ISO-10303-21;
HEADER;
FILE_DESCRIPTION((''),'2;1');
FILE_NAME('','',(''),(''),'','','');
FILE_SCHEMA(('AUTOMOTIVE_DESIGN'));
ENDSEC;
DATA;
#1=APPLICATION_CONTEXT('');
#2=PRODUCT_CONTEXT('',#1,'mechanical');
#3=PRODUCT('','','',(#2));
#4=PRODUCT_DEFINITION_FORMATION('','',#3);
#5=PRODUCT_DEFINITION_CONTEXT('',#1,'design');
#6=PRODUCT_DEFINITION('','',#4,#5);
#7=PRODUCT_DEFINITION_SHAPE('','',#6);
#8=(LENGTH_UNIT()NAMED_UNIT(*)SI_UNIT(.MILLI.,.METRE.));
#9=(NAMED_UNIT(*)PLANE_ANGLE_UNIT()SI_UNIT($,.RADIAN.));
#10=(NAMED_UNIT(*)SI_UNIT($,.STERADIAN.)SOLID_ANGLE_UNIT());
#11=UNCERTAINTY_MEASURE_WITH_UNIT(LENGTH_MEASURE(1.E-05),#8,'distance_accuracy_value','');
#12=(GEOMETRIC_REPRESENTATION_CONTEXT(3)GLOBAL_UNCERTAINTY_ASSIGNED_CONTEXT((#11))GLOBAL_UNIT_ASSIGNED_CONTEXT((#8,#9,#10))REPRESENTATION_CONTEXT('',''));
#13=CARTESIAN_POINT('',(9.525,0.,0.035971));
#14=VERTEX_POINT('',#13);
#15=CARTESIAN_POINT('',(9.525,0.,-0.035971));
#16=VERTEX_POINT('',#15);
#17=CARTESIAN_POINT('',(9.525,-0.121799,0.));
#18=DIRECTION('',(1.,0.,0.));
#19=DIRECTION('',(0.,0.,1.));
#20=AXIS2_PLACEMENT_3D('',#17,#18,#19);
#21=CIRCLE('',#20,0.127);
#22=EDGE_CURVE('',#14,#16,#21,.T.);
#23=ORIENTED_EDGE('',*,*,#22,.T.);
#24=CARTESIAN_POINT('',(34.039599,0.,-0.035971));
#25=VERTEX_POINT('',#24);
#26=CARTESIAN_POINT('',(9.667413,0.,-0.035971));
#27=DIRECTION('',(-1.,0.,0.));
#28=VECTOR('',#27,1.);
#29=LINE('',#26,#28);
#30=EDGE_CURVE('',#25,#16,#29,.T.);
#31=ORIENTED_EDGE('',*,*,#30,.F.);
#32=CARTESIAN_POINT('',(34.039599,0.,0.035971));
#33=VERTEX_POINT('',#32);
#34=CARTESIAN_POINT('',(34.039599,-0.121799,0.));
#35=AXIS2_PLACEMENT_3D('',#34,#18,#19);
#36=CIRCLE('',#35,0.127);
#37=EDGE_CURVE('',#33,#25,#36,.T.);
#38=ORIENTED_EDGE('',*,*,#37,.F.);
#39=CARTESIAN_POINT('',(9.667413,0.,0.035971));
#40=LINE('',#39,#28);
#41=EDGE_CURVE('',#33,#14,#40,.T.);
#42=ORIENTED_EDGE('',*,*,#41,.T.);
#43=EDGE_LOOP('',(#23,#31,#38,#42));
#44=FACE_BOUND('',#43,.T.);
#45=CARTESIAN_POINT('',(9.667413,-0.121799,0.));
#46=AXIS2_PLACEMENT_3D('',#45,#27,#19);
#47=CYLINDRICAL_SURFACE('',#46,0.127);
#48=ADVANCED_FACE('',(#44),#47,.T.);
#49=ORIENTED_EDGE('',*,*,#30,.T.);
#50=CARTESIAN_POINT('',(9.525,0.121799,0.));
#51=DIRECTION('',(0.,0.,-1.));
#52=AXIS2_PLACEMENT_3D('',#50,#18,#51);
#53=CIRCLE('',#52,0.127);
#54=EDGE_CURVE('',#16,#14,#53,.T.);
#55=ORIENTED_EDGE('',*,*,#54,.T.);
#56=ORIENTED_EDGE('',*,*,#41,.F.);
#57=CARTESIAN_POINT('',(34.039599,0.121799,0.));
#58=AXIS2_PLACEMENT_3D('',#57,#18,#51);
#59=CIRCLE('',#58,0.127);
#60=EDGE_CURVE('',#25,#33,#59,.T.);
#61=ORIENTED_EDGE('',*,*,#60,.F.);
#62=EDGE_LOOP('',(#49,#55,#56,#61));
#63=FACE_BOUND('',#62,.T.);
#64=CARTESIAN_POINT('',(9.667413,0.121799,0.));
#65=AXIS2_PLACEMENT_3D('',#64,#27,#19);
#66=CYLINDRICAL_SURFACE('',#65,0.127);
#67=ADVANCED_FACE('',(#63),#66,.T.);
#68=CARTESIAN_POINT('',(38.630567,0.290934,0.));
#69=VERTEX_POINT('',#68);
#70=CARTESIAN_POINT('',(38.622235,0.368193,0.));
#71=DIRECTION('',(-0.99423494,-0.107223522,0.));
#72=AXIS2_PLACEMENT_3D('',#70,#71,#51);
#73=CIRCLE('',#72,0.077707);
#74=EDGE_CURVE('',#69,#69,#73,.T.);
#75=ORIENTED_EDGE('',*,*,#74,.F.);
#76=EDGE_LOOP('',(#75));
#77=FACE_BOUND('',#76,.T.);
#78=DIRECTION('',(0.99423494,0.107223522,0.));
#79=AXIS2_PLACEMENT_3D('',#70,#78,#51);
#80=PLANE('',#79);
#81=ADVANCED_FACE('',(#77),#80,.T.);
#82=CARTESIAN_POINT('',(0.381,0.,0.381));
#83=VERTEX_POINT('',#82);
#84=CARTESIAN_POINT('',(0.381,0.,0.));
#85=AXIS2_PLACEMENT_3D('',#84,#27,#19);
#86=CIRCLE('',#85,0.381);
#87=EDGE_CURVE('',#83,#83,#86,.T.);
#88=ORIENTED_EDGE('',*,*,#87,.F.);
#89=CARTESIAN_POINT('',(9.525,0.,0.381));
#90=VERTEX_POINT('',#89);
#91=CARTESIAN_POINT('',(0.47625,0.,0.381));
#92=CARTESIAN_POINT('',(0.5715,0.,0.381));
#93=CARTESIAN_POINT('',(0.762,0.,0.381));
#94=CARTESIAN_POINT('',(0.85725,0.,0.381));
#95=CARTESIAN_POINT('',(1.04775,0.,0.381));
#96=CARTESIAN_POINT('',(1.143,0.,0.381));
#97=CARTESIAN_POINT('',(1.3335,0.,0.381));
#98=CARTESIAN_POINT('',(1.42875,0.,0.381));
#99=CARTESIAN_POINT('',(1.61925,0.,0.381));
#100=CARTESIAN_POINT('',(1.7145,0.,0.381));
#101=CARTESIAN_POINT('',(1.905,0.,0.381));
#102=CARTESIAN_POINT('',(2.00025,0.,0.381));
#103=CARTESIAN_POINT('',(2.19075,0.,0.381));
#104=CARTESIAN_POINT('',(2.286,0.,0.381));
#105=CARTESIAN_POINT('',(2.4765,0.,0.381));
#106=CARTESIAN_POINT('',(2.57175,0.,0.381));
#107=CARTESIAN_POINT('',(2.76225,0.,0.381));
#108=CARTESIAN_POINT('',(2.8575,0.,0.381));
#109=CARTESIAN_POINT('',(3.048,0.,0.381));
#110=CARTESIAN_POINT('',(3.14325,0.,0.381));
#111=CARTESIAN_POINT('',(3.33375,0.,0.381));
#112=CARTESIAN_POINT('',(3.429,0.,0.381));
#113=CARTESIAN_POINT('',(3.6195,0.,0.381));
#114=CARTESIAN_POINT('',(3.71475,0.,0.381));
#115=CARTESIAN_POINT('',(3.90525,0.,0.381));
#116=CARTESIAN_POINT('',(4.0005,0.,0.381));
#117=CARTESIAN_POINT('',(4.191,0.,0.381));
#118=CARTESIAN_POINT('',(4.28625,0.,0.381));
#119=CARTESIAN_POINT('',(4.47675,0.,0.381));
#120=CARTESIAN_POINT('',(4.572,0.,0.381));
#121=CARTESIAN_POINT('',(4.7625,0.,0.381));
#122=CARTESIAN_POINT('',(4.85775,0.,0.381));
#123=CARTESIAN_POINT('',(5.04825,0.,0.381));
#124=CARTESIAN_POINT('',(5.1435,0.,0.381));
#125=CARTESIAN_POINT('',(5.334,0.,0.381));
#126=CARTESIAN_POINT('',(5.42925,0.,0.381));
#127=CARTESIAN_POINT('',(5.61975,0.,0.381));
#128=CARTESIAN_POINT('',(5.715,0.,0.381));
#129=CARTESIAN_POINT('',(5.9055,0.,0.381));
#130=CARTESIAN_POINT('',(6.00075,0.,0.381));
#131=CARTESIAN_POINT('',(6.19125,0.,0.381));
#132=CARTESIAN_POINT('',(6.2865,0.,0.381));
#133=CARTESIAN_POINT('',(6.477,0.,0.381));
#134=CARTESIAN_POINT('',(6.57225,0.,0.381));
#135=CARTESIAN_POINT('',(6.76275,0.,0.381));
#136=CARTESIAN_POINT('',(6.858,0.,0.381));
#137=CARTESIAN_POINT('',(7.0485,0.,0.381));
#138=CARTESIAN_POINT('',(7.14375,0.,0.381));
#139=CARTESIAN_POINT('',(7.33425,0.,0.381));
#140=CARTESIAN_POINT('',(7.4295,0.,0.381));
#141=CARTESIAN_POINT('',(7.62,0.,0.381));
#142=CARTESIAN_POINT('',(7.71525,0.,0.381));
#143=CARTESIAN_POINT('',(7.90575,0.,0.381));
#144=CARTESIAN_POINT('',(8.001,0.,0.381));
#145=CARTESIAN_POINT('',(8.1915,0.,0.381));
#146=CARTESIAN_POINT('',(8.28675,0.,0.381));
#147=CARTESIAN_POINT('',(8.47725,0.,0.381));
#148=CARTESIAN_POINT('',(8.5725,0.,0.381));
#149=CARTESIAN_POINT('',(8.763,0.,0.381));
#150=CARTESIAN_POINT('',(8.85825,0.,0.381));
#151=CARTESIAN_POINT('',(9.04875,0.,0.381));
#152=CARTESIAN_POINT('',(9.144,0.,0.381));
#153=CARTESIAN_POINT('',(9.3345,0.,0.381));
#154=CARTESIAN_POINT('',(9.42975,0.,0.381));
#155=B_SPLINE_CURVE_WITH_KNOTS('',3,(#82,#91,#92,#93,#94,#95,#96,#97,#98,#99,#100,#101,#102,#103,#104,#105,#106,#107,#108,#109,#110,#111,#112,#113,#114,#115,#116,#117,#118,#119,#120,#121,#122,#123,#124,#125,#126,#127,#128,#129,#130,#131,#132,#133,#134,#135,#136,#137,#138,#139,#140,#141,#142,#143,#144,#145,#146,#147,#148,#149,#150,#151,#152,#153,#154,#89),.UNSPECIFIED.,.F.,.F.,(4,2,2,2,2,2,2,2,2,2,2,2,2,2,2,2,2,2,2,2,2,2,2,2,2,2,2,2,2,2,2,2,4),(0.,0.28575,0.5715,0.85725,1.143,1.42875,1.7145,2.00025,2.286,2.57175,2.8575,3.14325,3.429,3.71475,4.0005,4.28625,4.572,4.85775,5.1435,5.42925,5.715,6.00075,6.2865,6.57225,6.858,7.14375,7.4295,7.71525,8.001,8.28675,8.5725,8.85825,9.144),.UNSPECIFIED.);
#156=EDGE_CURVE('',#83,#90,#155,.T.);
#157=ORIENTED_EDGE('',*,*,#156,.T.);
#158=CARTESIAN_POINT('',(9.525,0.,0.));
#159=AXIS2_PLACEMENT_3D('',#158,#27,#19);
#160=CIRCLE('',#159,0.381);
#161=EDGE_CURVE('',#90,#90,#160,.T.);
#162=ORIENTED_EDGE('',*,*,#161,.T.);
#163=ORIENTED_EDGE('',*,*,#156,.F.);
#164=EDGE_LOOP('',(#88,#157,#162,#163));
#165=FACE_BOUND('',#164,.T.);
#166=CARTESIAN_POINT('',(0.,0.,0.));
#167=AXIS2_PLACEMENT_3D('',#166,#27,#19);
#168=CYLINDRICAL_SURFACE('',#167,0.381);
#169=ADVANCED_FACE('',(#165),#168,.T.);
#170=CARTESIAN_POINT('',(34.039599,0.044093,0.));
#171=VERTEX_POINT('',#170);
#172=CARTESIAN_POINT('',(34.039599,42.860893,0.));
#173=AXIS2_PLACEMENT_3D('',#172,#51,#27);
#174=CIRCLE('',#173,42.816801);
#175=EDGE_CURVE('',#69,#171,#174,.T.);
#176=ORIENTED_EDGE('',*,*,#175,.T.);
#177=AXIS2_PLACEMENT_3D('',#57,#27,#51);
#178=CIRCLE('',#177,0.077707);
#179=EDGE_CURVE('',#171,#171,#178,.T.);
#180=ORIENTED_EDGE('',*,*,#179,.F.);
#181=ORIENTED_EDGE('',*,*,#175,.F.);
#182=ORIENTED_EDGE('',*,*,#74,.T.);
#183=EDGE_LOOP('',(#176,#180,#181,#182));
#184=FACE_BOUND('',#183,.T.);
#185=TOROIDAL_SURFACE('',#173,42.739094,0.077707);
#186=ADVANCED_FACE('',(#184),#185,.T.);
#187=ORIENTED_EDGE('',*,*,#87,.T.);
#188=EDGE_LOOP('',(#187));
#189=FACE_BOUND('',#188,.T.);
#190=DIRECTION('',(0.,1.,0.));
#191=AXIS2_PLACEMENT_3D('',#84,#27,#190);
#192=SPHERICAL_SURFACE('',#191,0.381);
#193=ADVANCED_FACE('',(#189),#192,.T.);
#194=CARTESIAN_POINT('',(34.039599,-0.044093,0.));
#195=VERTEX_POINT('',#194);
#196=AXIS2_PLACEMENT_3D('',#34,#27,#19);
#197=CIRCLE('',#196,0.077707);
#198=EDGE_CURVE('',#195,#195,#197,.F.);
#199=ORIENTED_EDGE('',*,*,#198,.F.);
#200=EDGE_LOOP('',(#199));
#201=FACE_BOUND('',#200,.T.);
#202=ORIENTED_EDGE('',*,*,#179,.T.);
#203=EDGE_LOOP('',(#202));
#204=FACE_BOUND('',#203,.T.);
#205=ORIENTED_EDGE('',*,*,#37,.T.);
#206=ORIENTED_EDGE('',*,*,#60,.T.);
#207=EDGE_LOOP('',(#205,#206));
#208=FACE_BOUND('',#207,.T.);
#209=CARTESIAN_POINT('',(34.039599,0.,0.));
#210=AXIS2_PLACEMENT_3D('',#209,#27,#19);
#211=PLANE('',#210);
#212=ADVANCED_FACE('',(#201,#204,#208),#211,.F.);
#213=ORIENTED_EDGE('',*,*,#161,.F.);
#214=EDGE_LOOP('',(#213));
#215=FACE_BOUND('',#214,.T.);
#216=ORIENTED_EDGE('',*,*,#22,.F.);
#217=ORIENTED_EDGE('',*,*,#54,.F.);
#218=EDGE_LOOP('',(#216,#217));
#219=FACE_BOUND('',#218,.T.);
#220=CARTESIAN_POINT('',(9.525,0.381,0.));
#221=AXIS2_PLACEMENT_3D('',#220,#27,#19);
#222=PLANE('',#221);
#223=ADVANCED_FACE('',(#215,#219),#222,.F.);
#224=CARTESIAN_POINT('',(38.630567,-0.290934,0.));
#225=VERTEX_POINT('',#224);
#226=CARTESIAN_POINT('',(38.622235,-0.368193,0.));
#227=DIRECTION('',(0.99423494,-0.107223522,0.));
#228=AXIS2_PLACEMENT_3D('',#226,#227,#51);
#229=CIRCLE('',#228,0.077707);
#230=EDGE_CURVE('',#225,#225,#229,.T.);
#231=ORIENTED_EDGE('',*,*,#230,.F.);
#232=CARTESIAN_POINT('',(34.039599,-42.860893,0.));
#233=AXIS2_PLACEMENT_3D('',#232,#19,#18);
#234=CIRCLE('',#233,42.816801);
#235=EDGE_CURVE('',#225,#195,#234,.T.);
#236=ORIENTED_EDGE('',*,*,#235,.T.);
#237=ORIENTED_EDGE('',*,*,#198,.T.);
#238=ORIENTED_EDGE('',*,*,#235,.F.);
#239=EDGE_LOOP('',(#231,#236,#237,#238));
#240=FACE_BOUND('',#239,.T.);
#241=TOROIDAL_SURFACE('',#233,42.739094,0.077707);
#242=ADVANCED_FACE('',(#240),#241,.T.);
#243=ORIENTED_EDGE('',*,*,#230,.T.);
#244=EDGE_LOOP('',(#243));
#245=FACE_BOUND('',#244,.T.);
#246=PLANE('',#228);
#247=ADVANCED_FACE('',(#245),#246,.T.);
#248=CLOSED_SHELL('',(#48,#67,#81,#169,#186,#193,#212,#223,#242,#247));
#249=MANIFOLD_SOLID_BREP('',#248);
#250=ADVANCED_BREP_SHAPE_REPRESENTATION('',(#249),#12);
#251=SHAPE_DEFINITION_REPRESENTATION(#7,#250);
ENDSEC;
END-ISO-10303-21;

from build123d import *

# Parameters (mm, degrees)
SKETCH4_R = 0.077706682


with BuildPart() as part:
    # Sketch1 → Revolve1 (revolve)
    with BuildSketch(Plane.XY):
        with BuildLine():
            Line((0, 0), (9.525, 0))
            Line((9.525, 0), (9.525, 0.381))
            Line((9.525, 0.381), (0.381, 0.381))
            ThreePointArc((0.381, 0.381), (0.111592316, 0.269407684), (0, 0))
        make_face()
    revolve(axis=Axis((0, 0, 0), (1, 0, 0)))

    # Sweep1: sweep along a path in Sketch3
    with BuildLine(Plane(origin=(0, 0, 0), x_dir=(1, 0, 0), z_dir=(0, 1, 0))) as sweep1_path:
        Line((9.525, 0), (9.667412836, 0))
        Line((9.667412836, 0), (9.860608845, 0))
        Line((9.860608845, 0), (34.039598504, 0))
    # Sketch2 → Sweep1 (sweep)
    with BuildSketch(Plane(origin=(9.525, 0, 0), x_dir=(0, 0, -1), z_dir=(1, 0, 0))):
        with BuildLine():
            ThreePointArc((0.035971282, 0), (0, 0.248799289), (-0.035971282, 0))
            ThreePointArc((-0.035971282, 0), (0, -0.248799289), (0.035971282, 0))
        make_face()
    sweep(path=sweep1_path.line)

    # Sweep2: sweep along a path in Sketch5
    with BuildLine(Plane.XY) as sweep2_path:
        ThreePointArc((34.039598504, -0.121799289), (36.334226152, -0.183442101), (38.622234694, -0.368192721))
    # Sketch4 → Sweep2 (sweep)
    with BuildSketch(Plane(origin=(34.039598504, 0, 0), x_dir=(0, 0, -1), z_dir=(1, 0, 0))):
        with Locations((0, -0.121799289)):
            Circle(SKETCH4_R)
    sweep2 = sweep(path=sweep2_path.line)

    # Mirror1: Sweep2 across plane
    add(sweep2.mirror(Plane.ZX))


solid = part.part
